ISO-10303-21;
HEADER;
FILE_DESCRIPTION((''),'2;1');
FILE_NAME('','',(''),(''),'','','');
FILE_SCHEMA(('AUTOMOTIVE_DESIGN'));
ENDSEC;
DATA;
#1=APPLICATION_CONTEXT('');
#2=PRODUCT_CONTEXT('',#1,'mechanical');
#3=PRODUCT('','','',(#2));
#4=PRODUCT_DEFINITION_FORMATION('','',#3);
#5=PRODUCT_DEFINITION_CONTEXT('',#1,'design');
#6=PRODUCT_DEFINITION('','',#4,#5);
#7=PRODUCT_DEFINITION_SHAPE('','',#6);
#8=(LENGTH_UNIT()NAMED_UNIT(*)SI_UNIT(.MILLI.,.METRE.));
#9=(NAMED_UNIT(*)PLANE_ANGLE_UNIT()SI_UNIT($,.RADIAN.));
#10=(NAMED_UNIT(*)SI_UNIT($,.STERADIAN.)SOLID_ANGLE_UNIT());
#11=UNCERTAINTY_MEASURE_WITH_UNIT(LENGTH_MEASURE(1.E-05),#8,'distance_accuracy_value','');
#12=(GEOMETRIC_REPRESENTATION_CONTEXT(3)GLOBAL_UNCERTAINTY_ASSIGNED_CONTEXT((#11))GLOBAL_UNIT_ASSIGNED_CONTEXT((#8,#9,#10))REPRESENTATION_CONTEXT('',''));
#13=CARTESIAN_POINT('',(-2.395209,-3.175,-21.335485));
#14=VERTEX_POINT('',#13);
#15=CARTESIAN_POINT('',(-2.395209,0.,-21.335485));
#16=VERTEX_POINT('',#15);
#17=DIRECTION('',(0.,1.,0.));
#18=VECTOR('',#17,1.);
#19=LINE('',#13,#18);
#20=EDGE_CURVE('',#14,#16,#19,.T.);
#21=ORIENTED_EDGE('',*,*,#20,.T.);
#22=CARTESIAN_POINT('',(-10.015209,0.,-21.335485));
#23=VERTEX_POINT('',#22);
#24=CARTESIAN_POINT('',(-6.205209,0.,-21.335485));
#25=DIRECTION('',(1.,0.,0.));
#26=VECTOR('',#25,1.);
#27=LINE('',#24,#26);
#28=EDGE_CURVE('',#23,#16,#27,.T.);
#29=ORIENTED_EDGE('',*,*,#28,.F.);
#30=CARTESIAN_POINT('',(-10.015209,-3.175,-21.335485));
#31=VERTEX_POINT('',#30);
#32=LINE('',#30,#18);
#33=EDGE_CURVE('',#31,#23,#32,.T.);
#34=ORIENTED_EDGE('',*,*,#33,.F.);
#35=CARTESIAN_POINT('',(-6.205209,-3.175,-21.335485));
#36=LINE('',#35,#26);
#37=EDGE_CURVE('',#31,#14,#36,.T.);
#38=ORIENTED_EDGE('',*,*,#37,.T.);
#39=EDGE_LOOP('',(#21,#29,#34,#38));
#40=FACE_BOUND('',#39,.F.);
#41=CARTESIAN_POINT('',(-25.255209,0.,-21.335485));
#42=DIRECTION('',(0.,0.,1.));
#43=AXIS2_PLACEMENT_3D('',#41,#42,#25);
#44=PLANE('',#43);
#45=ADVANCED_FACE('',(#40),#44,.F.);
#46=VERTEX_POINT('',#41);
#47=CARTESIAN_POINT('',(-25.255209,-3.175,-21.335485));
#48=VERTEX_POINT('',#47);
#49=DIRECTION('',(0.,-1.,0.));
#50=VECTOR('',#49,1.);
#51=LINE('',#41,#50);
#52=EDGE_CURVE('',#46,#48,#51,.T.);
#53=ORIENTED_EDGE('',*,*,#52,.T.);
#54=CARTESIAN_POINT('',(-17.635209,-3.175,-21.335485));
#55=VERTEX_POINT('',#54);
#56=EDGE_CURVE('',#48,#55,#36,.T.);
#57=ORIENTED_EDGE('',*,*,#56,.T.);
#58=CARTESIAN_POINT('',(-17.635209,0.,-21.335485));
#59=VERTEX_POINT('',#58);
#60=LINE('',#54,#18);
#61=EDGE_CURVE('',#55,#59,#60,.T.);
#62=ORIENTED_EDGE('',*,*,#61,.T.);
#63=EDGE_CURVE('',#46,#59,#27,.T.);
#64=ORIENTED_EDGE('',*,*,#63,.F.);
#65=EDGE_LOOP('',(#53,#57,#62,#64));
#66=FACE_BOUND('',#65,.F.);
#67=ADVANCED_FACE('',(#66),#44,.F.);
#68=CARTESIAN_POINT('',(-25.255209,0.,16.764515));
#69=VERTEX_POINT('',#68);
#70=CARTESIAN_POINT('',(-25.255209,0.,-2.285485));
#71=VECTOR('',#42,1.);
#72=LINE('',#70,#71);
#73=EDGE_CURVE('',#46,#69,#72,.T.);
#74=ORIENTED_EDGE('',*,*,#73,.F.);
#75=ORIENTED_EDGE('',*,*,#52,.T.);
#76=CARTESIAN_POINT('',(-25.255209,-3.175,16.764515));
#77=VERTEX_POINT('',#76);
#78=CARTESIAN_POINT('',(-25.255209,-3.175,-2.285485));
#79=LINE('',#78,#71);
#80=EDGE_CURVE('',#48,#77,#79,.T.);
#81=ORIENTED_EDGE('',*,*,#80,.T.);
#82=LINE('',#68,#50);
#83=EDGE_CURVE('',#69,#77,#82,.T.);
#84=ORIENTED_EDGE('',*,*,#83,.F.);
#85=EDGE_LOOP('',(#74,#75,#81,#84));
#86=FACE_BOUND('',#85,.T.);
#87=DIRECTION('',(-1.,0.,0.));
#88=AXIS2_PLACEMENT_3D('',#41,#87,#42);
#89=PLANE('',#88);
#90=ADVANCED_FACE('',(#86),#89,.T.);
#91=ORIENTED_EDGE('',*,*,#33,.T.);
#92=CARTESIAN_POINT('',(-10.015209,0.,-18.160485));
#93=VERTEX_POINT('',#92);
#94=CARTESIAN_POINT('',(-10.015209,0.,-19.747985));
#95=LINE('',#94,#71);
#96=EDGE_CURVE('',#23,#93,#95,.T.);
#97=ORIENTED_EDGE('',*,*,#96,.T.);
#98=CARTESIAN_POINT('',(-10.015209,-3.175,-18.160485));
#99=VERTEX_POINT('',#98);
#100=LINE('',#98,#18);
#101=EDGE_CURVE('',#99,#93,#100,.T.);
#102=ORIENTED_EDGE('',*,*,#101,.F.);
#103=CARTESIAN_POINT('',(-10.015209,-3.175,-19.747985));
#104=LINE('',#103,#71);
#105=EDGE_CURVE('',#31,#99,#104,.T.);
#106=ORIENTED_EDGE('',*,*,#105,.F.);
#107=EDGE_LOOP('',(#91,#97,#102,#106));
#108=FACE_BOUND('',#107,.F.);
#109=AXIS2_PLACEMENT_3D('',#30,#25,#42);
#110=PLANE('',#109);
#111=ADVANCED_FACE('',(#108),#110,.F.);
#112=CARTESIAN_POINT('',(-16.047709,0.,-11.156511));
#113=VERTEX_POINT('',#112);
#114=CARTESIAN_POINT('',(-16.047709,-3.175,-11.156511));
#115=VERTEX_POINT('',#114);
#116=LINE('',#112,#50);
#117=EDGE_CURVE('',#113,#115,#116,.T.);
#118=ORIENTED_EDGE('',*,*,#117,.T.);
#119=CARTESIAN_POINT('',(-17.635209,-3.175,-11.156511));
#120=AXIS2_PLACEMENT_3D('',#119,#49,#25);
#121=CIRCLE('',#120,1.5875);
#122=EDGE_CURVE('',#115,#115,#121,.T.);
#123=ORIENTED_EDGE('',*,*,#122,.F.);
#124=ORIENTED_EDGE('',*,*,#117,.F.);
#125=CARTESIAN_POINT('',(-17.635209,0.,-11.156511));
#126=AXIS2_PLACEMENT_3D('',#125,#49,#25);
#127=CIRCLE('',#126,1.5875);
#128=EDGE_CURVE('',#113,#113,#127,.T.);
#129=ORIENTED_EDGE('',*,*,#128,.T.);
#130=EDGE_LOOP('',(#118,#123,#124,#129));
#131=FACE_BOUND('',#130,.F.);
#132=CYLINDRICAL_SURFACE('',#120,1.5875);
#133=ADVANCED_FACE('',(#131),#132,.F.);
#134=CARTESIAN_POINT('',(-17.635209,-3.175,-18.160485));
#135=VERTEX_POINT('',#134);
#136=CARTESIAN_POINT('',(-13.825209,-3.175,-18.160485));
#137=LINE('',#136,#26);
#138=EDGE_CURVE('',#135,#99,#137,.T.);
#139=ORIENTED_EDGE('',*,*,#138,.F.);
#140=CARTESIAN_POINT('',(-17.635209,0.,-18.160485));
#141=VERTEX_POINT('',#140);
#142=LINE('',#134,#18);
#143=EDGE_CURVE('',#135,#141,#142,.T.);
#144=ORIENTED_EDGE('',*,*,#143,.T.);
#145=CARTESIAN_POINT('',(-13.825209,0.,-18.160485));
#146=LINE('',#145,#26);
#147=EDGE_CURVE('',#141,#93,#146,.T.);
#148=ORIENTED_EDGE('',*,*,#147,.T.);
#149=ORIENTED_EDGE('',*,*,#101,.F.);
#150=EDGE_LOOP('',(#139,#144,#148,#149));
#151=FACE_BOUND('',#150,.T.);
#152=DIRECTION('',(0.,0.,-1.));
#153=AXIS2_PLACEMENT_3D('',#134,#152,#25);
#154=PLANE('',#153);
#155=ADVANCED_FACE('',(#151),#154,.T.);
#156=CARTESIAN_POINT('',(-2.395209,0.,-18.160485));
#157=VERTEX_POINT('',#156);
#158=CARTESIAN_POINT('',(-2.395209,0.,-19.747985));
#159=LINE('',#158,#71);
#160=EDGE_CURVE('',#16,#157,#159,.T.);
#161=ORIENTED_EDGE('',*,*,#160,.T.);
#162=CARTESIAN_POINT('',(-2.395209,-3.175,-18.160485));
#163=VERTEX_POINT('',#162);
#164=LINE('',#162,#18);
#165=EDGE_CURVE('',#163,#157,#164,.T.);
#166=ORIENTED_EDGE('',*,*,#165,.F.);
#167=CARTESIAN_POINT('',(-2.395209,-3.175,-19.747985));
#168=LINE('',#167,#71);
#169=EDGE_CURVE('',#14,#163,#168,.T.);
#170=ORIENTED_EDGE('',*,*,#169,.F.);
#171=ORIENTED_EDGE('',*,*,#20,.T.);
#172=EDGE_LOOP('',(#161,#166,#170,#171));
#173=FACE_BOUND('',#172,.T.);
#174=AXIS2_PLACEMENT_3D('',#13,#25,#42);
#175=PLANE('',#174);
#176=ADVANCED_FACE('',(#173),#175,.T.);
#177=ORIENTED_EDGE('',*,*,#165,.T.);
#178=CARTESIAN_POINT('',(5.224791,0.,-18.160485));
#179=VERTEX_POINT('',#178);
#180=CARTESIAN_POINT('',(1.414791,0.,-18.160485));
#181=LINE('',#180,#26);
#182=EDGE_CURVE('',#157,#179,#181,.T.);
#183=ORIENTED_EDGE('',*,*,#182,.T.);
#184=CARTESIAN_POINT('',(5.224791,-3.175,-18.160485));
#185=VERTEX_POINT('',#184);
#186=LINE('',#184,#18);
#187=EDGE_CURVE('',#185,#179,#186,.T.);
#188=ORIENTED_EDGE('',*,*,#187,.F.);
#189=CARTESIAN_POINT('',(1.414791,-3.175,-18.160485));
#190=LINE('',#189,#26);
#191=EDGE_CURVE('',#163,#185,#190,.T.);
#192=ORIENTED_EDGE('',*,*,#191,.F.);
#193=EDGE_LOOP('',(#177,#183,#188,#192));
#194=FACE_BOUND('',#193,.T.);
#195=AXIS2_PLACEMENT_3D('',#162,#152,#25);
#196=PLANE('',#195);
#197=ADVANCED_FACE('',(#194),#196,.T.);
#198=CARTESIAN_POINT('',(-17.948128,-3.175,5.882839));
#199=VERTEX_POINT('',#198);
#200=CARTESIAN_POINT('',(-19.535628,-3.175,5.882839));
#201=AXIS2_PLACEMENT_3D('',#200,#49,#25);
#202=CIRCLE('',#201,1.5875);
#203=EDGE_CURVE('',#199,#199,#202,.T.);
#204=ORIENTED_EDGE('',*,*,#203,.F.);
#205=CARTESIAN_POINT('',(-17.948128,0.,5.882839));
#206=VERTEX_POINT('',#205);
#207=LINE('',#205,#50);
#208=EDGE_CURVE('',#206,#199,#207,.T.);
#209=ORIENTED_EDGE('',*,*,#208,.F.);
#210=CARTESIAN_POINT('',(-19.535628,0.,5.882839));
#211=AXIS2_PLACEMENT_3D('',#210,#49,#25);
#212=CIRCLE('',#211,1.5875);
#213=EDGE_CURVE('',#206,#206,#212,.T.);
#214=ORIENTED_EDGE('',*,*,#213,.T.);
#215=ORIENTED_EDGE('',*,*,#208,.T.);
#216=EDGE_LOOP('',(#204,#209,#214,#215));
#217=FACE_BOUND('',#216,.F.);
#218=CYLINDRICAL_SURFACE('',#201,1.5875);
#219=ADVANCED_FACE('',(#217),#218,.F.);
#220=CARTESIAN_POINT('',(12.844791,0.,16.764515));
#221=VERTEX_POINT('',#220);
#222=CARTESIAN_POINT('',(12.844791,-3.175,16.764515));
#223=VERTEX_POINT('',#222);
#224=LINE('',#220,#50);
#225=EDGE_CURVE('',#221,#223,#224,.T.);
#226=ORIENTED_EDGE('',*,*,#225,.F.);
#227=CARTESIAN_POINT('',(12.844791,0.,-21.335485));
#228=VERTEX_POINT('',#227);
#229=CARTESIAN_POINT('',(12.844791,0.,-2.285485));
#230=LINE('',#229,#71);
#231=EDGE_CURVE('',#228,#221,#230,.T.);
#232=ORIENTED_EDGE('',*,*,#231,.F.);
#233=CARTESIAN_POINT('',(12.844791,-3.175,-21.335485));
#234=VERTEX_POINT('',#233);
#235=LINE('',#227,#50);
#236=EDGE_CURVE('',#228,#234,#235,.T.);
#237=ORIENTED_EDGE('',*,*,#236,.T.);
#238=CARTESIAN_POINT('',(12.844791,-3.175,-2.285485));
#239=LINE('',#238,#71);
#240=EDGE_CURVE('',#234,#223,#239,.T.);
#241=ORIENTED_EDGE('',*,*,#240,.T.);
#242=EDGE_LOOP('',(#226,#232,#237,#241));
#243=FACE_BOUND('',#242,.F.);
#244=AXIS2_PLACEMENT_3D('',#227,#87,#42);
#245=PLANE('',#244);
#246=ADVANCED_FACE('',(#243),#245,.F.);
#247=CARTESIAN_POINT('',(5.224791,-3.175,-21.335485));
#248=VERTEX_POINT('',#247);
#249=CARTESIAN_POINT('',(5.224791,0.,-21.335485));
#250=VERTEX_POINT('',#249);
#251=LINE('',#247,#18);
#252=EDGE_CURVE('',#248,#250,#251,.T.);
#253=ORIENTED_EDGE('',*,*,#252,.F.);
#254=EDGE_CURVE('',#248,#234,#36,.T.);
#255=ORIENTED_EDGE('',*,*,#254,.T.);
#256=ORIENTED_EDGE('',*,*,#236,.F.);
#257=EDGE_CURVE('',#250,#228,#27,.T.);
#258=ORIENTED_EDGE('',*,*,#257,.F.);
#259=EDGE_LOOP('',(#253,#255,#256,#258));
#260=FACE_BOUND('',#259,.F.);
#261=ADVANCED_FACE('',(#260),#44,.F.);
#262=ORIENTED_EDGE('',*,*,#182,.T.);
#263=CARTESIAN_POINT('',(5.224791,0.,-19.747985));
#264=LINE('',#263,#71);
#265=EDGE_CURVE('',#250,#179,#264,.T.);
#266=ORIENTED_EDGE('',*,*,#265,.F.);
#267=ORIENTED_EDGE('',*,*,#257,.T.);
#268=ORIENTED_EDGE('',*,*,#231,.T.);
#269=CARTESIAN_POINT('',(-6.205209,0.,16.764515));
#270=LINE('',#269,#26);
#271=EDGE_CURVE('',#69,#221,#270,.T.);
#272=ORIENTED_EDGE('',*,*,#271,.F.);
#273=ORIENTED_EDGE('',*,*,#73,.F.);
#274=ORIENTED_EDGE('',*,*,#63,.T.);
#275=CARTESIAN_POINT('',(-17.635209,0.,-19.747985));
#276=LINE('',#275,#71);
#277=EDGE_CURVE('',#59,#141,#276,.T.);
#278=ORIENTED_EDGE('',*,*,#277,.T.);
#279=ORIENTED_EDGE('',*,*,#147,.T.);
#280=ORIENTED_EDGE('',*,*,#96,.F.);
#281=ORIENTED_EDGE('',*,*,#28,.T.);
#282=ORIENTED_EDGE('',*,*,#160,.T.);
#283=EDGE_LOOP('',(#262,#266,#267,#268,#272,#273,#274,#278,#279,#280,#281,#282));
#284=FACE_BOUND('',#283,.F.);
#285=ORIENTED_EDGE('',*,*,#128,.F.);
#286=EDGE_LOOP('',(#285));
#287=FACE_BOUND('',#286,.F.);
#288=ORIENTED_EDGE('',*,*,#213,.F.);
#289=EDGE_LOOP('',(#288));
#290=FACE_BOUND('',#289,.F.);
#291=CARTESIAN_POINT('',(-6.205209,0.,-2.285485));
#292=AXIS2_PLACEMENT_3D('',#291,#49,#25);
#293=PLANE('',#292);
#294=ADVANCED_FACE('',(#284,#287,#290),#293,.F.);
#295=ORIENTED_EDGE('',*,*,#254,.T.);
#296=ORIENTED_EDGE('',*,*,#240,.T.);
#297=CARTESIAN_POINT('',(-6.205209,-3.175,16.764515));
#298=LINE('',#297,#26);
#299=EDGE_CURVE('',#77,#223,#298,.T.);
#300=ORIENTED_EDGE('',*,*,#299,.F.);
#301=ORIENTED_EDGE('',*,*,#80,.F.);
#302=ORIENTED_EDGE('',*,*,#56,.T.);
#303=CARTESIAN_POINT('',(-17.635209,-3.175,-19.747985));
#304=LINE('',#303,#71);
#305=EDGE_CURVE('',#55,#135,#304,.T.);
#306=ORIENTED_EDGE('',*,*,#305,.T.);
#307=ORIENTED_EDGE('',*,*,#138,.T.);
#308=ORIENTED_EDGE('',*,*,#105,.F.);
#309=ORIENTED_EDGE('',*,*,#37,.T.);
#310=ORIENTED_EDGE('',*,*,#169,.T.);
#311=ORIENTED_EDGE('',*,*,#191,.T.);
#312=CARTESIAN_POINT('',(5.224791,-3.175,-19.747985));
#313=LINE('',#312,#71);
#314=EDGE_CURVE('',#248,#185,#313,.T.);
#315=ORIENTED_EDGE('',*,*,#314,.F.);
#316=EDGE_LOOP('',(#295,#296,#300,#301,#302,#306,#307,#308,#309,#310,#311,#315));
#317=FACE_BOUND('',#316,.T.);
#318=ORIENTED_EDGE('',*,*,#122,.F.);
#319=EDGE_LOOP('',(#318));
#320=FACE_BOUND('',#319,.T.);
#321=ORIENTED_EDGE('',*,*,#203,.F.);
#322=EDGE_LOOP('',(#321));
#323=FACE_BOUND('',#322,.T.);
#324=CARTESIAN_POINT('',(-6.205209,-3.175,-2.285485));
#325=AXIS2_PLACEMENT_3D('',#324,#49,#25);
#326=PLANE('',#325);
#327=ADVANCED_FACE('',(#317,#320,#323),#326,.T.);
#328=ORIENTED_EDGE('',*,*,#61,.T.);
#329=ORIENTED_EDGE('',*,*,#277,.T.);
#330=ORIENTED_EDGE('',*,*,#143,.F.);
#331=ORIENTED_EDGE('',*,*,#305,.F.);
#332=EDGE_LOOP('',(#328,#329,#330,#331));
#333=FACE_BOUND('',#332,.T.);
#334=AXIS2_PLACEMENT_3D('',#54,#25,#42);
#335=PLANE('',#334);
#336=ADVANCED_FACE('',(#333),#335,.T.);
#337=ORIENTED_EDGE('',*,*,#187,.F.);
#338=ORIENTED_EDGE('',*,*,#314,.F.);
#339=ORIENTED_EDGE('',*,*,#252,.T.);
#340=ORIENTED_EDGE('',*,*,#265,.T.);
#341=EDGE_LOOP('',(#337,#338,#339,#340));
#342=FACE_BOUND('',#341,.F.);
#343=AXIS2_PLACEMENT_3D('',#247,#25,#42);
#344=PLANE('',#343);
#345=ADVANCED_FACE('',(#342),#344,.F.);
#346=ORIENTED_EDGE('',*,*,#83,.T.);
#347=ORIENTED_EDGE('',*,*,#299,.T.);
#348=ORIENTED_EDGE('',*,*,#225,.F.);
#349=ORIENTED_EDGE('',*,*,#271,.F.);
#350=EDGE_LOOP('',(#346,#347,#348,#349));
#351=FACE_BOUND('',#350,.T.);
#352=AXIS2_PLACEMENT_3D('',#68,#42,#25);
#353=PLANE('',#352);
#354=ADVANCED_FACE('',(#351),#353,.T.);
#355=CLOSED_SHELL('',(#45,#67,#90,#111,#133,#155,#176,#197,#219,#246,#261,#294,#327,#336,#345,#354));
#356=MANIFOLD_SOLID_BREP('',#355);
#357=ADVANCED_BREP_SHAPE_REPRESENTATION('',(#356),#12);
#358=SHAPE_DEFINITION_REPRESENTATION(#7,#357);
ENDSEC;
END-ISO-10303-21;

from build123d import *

# Parameters (mm, degrees)
F0_W     = 38.1
F0_H     = 38.1
F1_DEPTH = 3.175
F2_W     = 7.62
F2_H     = 3.175
F2_R     = 1.5875
F3_DEPTH = 3.175
F4_DEPTH = 2.54


with BuildPart() as f1:
    # F0 (on Front) → F1 (new body)
    with BuildSketch(Plane.XZ):
        with Locations((-6.205209, -2.285485)):
            Rectangle(F0_W, F0_H)
    extrude(amount=F1_DEPTH)

    # F2 (on face) → F3 (cut)
    with BuildSketch(Plane.XZ.offset(3.175)):
        with Locations((-13.825209, -19.747985)):
            Rectangle(F2_W, F2_H)
        with Locations((1.414791, -19.747985)):
            Rectangle(F2_W, F2_H)
        with Locations((-19.535628, 5.882839)):
            Circle(F2_R)
        with Locations((-17.635209, -11.156511)):
            Circle(F2_R)
    extrude(amount=-F3_DEPTH, mode=Mode.SUBTRACT)

    # F2 (on face) → F4 (cut)
    with BuildSketch(Plane.XZ.offset(3.175)):
        with Locations((-17.635209, -11.156511)):
            Circle(F2_R)
        with Locations((-19.535628, 5.882839)):
            Circle(F2_R)
    extrude(amount=-F4_DEPTH, mode=Mode.SUBTRACT)


solid = f1.part
